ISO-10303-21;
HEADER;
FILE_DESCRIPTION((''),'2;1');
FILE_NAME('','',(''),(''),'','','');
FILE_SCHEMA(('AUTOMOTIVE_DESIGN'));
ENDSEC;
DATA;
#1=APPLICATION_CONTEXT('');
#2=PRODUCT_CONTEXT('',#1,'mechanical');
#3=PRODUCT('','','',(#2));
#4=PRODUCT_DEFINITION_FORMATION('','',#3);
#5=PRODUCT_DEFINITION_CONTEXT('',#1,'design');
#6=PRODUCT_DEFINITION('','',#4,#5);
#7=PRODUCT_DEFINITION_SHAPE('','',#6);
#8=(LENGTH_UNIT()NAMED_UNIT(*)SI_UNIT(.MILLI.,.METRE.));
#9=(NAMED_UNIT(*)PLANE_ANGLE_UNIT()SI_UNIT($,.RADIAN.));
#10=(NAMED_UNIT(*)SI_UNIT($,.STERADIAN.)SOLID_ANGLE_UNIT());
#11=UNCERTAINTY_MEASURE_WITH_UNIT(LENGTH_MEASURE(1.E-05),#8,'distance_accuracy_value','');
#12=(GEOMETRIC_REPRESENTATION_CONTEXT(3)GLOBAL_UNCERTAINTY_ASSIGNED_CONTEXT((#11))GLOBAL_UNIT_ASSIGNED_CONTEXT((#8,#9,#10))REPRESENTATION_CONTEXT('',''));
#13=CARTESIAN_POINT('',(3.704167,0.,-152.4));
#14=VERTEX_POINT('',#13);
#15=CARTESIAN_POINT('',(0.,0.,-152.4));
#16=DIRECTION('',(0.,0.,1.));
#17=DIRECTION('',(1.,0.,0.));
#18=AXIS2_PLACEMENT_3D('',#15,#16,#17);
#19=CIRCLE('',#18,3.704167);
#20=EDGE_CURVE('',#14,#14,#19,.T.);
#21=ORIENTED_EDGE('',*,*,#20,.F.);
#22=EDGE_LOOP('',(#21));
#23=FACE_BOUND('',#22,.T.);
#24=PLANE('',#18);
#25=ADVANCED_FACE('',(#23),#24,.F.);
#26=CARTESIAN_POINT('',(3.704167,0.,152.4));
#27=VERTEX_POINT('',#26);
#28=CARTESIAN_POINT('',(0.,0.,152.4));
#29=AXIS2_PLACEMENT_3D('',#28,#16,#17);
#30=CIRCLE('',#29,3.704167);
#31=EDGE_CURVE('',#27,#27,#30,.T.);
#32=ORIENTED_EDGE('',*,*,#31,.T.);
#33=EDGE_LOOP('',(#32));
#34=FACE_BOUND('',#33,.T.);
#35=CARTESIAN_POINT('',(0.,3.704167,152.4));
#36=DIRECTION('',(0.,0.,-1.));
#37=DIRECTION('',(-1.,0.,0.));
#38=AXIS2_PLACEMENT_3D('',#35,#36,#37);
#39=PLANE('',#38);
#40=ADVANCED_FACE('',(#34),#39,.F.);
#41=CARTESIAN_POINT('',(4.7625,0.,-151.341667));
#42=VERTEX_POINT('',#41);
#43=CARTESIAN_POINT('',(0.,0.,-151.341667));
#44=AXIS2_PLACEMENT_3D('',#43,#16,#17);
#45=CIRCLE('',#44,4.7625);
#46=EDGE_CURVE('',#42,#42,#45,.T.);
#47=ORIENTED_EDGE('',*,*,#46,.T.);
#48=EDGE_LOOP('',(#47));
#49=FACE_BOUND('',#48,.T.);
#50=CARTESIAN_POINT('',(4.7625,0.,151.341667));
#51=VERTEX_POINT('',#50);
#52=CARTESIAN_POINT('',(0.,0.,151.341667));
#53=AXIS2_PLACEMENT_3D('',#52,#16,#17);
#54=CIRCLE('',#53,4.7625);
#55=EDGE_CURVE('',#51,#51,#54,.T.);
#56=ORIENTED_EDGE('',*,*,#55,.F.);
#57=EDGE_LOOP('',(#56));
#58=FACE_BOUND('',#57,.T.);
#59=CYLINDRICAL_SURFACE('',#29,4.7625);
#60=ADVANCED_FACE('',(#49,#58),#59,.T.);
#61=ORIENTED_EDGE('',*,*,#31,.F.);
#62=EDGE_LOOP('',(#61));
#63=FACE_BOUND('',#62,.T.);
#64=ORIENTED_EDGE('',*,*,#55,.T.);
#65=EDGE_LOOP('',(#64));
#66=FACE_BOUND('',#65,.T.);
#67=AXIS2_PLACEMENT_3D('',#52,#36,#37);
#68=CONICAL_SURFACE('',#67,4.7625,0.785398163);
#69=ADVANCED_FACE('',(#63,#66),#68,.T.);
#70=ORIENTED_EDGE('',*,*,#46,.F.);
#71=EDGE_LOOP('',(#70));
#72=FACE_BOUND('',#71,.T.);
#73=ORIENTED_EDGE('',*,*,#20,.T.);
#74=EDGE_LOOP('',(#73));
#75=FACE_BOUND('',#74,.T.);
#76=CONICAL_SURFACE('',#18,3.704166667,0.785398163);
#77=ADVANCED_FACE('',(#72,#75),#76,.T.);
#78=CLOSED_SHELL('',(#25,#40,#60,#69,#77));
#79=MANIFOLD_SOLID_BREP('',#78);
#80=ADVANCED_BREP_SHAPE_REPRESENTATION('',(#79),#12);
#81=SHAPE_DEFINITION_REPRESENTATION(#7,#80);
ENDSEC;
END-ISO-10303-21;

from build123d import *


with BuildPart() as part:
    # Sketch2 → Revolve1 (revolve)
    with BuildSketch(Plane(origin=(0, 0, 0), x_dir=(0, 0, -1), z_dir=(1, 0, 0)), mode=Mode.PRIVATE) as revolve1_sk:
        Polygon((-152.4, 0), (152.4, 0), (152.4, 3.704166667), (151.341666667, 4.7625), (-151.341666667, 4.7625), (-152.4, 3.704166667), align=None)
    revolve(revolve1_sk.sketch.rotate(Axis((0, 0, 152.4), (0, 0, -1)), 90), axis=Axis((0, 0, 152.4), (0, 0, -1)))


solid = part.part
